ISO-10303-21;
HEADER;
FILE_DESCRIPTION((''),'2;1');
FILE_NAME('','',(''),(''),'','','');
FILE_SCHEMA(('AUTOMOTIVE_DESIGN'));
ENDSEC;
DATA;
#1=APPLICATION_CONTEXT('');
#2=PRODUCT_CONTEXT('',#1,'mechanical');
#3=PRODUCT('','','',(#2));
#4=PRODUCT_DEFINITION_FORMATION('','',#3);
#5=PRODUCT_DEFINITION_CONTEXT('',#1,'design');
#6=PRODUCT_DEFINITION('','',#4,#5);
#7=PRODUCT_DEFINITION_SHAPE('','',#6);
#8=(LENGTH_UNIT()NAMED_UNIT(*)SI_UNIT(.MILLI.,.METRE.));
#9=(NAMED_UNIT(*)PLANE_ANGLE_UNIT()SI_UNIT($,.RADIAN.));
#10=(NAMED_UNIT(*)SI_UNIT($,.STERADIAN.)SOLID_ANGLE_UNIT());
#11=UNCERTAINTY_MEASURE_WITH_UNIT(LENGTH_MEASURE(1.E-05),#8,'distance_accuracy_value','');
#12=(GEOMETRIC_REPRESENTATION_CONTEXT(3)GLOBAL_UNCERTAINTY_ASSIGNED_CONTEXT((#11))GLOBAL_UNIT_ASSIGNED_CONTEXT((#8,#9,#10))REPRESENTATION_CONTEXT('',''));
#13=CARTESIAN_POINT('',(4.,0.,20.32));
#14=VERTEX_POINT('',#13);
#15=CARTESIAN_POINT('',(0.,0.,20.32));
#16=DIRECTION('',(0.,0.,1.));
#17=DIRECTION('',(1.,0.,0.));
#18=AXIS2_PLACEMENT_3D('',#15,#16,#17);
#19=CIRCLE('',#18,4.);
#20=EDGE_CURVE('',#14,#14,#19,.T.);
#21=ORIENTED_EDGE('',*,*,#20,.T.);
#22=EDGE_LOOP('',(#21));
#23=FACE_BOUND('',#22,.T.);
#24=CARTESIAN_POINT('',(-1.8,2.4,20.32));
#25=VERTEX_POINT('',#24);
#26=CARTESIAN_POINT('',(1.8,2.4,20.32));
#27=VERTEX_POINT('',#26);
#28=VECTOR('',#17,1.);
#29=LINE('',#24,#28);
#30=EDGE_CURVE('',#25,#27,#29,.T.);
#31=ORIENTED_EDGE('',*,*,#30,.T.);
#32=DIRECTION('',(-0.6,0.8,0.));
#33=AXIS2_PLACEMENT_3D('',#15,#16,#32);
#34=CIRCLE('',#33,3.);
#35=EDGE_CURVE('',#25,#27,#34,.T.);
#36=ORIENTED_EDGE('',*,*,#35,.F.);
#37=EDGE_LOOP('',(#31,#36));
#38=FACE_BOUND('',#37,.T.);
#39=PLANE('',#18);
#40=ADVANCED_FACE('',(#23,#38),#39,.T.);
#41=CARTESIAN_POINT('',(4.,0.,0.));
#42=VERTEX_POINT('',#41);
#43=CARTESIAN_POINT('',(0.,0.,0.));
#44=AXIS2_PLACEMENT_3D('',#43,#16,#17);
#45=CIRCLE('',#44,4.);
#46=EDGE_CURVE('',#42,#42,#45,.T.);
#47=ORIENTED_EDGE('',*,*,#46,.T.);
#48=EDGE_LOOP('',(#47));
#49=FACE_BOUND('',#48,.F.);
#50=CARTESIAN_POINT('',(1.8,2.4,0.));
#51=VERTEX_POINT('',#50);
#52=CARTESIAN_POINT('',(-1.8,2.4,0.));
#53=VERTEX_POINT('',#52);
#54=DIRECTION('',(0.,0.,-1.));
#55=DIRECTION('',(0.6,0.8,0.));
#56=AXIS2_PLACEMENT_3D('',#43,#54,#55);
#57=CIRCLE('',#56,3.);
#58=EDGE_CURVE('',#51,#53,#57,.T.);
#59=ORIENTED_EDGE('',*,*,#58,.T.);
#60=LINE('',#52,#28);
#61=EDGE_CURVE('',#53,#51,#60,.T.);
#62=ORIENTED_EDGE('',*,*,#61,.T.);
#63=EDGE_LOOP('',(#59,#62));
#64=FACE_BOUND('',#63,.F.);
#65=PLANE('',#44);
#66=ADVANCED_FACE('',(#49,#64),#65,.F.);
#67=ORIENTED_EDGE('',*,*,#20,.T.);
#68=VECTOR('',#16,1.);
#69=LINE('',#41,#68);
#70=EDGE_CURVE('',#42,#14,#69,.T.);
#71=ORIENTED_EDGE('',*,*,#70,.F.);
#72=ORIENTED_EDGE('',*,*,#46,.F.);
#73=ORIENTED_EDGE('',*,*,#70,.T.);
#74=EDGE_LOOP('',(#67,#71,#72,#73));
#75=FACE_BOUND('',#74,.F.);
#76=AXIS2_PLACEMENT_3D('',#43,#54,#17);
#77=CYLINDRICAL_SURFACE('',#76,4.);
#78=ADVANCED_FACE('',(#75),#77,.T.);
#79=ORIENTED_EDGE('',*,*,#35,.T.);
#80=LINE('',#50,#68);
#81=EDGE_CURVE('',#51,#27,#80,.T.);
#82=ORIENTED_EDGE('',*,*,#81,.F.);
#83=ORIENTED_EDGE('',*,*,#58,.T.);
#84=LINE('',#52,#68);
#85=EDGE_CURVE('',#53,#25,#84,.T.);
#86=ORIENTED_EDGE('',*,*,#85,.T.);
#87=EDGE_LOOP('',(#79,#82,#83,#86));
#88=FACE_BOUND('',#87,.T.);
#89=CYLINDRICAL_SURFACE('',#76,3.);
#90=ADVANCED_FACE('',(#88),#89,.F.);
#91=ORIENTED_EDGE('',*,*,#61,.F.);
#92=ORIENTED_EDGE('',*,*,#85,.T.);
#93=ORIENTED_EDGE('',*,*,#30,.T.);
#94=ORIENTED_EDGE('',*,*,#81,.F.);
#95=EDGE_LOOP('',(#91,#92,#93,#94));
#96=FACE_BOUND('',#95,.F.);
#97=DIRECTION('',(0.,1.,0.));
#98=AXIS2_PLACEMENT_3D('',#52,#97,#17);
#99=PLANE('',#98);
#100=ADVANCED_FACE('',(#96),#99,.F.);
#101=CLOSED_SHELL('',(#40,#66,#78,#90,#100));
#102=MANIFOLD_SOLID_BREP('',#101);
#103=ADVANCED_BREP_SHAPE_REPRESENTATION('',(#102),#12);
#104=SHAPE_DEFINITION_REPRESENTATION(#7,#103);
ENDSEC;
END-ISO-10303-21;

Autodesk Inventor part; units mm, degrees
ref_plane "YZ Plane" through (0, 0, 0) normal (1, 0, 0) x (0, 1, 0)
ref_plane "XZ Plane" through (0, 0, 0) normal (0, 1, 0) x (-1, 0, 0)
ref_plane "XY Plane" through (0, 0, 0) normal (0, 0, 1) x (1, 0, 0)
sketch "Sketch1" plane through (0, 0, 0) normal (0, 0, 1) x (1, 0, 0)
  circle A0 centre (0, 0) radius 3
  line L0 (0, -3) -> (0, 0)
  line L1 (-1.8, 2.4) -> (1.8, 2.4)
  circle A1 centre (0, 0) radius 4
  dimension "d0" = 6
  dimension "d1" = 5.4
  dimension "d2" = 8
extrude "Extrusion1" add sketch "Sketch1" along normal blind 20.32 contours L1 A0 | A1 picked at (0, 2.6)
properties part number "ForearmShaftLock"
